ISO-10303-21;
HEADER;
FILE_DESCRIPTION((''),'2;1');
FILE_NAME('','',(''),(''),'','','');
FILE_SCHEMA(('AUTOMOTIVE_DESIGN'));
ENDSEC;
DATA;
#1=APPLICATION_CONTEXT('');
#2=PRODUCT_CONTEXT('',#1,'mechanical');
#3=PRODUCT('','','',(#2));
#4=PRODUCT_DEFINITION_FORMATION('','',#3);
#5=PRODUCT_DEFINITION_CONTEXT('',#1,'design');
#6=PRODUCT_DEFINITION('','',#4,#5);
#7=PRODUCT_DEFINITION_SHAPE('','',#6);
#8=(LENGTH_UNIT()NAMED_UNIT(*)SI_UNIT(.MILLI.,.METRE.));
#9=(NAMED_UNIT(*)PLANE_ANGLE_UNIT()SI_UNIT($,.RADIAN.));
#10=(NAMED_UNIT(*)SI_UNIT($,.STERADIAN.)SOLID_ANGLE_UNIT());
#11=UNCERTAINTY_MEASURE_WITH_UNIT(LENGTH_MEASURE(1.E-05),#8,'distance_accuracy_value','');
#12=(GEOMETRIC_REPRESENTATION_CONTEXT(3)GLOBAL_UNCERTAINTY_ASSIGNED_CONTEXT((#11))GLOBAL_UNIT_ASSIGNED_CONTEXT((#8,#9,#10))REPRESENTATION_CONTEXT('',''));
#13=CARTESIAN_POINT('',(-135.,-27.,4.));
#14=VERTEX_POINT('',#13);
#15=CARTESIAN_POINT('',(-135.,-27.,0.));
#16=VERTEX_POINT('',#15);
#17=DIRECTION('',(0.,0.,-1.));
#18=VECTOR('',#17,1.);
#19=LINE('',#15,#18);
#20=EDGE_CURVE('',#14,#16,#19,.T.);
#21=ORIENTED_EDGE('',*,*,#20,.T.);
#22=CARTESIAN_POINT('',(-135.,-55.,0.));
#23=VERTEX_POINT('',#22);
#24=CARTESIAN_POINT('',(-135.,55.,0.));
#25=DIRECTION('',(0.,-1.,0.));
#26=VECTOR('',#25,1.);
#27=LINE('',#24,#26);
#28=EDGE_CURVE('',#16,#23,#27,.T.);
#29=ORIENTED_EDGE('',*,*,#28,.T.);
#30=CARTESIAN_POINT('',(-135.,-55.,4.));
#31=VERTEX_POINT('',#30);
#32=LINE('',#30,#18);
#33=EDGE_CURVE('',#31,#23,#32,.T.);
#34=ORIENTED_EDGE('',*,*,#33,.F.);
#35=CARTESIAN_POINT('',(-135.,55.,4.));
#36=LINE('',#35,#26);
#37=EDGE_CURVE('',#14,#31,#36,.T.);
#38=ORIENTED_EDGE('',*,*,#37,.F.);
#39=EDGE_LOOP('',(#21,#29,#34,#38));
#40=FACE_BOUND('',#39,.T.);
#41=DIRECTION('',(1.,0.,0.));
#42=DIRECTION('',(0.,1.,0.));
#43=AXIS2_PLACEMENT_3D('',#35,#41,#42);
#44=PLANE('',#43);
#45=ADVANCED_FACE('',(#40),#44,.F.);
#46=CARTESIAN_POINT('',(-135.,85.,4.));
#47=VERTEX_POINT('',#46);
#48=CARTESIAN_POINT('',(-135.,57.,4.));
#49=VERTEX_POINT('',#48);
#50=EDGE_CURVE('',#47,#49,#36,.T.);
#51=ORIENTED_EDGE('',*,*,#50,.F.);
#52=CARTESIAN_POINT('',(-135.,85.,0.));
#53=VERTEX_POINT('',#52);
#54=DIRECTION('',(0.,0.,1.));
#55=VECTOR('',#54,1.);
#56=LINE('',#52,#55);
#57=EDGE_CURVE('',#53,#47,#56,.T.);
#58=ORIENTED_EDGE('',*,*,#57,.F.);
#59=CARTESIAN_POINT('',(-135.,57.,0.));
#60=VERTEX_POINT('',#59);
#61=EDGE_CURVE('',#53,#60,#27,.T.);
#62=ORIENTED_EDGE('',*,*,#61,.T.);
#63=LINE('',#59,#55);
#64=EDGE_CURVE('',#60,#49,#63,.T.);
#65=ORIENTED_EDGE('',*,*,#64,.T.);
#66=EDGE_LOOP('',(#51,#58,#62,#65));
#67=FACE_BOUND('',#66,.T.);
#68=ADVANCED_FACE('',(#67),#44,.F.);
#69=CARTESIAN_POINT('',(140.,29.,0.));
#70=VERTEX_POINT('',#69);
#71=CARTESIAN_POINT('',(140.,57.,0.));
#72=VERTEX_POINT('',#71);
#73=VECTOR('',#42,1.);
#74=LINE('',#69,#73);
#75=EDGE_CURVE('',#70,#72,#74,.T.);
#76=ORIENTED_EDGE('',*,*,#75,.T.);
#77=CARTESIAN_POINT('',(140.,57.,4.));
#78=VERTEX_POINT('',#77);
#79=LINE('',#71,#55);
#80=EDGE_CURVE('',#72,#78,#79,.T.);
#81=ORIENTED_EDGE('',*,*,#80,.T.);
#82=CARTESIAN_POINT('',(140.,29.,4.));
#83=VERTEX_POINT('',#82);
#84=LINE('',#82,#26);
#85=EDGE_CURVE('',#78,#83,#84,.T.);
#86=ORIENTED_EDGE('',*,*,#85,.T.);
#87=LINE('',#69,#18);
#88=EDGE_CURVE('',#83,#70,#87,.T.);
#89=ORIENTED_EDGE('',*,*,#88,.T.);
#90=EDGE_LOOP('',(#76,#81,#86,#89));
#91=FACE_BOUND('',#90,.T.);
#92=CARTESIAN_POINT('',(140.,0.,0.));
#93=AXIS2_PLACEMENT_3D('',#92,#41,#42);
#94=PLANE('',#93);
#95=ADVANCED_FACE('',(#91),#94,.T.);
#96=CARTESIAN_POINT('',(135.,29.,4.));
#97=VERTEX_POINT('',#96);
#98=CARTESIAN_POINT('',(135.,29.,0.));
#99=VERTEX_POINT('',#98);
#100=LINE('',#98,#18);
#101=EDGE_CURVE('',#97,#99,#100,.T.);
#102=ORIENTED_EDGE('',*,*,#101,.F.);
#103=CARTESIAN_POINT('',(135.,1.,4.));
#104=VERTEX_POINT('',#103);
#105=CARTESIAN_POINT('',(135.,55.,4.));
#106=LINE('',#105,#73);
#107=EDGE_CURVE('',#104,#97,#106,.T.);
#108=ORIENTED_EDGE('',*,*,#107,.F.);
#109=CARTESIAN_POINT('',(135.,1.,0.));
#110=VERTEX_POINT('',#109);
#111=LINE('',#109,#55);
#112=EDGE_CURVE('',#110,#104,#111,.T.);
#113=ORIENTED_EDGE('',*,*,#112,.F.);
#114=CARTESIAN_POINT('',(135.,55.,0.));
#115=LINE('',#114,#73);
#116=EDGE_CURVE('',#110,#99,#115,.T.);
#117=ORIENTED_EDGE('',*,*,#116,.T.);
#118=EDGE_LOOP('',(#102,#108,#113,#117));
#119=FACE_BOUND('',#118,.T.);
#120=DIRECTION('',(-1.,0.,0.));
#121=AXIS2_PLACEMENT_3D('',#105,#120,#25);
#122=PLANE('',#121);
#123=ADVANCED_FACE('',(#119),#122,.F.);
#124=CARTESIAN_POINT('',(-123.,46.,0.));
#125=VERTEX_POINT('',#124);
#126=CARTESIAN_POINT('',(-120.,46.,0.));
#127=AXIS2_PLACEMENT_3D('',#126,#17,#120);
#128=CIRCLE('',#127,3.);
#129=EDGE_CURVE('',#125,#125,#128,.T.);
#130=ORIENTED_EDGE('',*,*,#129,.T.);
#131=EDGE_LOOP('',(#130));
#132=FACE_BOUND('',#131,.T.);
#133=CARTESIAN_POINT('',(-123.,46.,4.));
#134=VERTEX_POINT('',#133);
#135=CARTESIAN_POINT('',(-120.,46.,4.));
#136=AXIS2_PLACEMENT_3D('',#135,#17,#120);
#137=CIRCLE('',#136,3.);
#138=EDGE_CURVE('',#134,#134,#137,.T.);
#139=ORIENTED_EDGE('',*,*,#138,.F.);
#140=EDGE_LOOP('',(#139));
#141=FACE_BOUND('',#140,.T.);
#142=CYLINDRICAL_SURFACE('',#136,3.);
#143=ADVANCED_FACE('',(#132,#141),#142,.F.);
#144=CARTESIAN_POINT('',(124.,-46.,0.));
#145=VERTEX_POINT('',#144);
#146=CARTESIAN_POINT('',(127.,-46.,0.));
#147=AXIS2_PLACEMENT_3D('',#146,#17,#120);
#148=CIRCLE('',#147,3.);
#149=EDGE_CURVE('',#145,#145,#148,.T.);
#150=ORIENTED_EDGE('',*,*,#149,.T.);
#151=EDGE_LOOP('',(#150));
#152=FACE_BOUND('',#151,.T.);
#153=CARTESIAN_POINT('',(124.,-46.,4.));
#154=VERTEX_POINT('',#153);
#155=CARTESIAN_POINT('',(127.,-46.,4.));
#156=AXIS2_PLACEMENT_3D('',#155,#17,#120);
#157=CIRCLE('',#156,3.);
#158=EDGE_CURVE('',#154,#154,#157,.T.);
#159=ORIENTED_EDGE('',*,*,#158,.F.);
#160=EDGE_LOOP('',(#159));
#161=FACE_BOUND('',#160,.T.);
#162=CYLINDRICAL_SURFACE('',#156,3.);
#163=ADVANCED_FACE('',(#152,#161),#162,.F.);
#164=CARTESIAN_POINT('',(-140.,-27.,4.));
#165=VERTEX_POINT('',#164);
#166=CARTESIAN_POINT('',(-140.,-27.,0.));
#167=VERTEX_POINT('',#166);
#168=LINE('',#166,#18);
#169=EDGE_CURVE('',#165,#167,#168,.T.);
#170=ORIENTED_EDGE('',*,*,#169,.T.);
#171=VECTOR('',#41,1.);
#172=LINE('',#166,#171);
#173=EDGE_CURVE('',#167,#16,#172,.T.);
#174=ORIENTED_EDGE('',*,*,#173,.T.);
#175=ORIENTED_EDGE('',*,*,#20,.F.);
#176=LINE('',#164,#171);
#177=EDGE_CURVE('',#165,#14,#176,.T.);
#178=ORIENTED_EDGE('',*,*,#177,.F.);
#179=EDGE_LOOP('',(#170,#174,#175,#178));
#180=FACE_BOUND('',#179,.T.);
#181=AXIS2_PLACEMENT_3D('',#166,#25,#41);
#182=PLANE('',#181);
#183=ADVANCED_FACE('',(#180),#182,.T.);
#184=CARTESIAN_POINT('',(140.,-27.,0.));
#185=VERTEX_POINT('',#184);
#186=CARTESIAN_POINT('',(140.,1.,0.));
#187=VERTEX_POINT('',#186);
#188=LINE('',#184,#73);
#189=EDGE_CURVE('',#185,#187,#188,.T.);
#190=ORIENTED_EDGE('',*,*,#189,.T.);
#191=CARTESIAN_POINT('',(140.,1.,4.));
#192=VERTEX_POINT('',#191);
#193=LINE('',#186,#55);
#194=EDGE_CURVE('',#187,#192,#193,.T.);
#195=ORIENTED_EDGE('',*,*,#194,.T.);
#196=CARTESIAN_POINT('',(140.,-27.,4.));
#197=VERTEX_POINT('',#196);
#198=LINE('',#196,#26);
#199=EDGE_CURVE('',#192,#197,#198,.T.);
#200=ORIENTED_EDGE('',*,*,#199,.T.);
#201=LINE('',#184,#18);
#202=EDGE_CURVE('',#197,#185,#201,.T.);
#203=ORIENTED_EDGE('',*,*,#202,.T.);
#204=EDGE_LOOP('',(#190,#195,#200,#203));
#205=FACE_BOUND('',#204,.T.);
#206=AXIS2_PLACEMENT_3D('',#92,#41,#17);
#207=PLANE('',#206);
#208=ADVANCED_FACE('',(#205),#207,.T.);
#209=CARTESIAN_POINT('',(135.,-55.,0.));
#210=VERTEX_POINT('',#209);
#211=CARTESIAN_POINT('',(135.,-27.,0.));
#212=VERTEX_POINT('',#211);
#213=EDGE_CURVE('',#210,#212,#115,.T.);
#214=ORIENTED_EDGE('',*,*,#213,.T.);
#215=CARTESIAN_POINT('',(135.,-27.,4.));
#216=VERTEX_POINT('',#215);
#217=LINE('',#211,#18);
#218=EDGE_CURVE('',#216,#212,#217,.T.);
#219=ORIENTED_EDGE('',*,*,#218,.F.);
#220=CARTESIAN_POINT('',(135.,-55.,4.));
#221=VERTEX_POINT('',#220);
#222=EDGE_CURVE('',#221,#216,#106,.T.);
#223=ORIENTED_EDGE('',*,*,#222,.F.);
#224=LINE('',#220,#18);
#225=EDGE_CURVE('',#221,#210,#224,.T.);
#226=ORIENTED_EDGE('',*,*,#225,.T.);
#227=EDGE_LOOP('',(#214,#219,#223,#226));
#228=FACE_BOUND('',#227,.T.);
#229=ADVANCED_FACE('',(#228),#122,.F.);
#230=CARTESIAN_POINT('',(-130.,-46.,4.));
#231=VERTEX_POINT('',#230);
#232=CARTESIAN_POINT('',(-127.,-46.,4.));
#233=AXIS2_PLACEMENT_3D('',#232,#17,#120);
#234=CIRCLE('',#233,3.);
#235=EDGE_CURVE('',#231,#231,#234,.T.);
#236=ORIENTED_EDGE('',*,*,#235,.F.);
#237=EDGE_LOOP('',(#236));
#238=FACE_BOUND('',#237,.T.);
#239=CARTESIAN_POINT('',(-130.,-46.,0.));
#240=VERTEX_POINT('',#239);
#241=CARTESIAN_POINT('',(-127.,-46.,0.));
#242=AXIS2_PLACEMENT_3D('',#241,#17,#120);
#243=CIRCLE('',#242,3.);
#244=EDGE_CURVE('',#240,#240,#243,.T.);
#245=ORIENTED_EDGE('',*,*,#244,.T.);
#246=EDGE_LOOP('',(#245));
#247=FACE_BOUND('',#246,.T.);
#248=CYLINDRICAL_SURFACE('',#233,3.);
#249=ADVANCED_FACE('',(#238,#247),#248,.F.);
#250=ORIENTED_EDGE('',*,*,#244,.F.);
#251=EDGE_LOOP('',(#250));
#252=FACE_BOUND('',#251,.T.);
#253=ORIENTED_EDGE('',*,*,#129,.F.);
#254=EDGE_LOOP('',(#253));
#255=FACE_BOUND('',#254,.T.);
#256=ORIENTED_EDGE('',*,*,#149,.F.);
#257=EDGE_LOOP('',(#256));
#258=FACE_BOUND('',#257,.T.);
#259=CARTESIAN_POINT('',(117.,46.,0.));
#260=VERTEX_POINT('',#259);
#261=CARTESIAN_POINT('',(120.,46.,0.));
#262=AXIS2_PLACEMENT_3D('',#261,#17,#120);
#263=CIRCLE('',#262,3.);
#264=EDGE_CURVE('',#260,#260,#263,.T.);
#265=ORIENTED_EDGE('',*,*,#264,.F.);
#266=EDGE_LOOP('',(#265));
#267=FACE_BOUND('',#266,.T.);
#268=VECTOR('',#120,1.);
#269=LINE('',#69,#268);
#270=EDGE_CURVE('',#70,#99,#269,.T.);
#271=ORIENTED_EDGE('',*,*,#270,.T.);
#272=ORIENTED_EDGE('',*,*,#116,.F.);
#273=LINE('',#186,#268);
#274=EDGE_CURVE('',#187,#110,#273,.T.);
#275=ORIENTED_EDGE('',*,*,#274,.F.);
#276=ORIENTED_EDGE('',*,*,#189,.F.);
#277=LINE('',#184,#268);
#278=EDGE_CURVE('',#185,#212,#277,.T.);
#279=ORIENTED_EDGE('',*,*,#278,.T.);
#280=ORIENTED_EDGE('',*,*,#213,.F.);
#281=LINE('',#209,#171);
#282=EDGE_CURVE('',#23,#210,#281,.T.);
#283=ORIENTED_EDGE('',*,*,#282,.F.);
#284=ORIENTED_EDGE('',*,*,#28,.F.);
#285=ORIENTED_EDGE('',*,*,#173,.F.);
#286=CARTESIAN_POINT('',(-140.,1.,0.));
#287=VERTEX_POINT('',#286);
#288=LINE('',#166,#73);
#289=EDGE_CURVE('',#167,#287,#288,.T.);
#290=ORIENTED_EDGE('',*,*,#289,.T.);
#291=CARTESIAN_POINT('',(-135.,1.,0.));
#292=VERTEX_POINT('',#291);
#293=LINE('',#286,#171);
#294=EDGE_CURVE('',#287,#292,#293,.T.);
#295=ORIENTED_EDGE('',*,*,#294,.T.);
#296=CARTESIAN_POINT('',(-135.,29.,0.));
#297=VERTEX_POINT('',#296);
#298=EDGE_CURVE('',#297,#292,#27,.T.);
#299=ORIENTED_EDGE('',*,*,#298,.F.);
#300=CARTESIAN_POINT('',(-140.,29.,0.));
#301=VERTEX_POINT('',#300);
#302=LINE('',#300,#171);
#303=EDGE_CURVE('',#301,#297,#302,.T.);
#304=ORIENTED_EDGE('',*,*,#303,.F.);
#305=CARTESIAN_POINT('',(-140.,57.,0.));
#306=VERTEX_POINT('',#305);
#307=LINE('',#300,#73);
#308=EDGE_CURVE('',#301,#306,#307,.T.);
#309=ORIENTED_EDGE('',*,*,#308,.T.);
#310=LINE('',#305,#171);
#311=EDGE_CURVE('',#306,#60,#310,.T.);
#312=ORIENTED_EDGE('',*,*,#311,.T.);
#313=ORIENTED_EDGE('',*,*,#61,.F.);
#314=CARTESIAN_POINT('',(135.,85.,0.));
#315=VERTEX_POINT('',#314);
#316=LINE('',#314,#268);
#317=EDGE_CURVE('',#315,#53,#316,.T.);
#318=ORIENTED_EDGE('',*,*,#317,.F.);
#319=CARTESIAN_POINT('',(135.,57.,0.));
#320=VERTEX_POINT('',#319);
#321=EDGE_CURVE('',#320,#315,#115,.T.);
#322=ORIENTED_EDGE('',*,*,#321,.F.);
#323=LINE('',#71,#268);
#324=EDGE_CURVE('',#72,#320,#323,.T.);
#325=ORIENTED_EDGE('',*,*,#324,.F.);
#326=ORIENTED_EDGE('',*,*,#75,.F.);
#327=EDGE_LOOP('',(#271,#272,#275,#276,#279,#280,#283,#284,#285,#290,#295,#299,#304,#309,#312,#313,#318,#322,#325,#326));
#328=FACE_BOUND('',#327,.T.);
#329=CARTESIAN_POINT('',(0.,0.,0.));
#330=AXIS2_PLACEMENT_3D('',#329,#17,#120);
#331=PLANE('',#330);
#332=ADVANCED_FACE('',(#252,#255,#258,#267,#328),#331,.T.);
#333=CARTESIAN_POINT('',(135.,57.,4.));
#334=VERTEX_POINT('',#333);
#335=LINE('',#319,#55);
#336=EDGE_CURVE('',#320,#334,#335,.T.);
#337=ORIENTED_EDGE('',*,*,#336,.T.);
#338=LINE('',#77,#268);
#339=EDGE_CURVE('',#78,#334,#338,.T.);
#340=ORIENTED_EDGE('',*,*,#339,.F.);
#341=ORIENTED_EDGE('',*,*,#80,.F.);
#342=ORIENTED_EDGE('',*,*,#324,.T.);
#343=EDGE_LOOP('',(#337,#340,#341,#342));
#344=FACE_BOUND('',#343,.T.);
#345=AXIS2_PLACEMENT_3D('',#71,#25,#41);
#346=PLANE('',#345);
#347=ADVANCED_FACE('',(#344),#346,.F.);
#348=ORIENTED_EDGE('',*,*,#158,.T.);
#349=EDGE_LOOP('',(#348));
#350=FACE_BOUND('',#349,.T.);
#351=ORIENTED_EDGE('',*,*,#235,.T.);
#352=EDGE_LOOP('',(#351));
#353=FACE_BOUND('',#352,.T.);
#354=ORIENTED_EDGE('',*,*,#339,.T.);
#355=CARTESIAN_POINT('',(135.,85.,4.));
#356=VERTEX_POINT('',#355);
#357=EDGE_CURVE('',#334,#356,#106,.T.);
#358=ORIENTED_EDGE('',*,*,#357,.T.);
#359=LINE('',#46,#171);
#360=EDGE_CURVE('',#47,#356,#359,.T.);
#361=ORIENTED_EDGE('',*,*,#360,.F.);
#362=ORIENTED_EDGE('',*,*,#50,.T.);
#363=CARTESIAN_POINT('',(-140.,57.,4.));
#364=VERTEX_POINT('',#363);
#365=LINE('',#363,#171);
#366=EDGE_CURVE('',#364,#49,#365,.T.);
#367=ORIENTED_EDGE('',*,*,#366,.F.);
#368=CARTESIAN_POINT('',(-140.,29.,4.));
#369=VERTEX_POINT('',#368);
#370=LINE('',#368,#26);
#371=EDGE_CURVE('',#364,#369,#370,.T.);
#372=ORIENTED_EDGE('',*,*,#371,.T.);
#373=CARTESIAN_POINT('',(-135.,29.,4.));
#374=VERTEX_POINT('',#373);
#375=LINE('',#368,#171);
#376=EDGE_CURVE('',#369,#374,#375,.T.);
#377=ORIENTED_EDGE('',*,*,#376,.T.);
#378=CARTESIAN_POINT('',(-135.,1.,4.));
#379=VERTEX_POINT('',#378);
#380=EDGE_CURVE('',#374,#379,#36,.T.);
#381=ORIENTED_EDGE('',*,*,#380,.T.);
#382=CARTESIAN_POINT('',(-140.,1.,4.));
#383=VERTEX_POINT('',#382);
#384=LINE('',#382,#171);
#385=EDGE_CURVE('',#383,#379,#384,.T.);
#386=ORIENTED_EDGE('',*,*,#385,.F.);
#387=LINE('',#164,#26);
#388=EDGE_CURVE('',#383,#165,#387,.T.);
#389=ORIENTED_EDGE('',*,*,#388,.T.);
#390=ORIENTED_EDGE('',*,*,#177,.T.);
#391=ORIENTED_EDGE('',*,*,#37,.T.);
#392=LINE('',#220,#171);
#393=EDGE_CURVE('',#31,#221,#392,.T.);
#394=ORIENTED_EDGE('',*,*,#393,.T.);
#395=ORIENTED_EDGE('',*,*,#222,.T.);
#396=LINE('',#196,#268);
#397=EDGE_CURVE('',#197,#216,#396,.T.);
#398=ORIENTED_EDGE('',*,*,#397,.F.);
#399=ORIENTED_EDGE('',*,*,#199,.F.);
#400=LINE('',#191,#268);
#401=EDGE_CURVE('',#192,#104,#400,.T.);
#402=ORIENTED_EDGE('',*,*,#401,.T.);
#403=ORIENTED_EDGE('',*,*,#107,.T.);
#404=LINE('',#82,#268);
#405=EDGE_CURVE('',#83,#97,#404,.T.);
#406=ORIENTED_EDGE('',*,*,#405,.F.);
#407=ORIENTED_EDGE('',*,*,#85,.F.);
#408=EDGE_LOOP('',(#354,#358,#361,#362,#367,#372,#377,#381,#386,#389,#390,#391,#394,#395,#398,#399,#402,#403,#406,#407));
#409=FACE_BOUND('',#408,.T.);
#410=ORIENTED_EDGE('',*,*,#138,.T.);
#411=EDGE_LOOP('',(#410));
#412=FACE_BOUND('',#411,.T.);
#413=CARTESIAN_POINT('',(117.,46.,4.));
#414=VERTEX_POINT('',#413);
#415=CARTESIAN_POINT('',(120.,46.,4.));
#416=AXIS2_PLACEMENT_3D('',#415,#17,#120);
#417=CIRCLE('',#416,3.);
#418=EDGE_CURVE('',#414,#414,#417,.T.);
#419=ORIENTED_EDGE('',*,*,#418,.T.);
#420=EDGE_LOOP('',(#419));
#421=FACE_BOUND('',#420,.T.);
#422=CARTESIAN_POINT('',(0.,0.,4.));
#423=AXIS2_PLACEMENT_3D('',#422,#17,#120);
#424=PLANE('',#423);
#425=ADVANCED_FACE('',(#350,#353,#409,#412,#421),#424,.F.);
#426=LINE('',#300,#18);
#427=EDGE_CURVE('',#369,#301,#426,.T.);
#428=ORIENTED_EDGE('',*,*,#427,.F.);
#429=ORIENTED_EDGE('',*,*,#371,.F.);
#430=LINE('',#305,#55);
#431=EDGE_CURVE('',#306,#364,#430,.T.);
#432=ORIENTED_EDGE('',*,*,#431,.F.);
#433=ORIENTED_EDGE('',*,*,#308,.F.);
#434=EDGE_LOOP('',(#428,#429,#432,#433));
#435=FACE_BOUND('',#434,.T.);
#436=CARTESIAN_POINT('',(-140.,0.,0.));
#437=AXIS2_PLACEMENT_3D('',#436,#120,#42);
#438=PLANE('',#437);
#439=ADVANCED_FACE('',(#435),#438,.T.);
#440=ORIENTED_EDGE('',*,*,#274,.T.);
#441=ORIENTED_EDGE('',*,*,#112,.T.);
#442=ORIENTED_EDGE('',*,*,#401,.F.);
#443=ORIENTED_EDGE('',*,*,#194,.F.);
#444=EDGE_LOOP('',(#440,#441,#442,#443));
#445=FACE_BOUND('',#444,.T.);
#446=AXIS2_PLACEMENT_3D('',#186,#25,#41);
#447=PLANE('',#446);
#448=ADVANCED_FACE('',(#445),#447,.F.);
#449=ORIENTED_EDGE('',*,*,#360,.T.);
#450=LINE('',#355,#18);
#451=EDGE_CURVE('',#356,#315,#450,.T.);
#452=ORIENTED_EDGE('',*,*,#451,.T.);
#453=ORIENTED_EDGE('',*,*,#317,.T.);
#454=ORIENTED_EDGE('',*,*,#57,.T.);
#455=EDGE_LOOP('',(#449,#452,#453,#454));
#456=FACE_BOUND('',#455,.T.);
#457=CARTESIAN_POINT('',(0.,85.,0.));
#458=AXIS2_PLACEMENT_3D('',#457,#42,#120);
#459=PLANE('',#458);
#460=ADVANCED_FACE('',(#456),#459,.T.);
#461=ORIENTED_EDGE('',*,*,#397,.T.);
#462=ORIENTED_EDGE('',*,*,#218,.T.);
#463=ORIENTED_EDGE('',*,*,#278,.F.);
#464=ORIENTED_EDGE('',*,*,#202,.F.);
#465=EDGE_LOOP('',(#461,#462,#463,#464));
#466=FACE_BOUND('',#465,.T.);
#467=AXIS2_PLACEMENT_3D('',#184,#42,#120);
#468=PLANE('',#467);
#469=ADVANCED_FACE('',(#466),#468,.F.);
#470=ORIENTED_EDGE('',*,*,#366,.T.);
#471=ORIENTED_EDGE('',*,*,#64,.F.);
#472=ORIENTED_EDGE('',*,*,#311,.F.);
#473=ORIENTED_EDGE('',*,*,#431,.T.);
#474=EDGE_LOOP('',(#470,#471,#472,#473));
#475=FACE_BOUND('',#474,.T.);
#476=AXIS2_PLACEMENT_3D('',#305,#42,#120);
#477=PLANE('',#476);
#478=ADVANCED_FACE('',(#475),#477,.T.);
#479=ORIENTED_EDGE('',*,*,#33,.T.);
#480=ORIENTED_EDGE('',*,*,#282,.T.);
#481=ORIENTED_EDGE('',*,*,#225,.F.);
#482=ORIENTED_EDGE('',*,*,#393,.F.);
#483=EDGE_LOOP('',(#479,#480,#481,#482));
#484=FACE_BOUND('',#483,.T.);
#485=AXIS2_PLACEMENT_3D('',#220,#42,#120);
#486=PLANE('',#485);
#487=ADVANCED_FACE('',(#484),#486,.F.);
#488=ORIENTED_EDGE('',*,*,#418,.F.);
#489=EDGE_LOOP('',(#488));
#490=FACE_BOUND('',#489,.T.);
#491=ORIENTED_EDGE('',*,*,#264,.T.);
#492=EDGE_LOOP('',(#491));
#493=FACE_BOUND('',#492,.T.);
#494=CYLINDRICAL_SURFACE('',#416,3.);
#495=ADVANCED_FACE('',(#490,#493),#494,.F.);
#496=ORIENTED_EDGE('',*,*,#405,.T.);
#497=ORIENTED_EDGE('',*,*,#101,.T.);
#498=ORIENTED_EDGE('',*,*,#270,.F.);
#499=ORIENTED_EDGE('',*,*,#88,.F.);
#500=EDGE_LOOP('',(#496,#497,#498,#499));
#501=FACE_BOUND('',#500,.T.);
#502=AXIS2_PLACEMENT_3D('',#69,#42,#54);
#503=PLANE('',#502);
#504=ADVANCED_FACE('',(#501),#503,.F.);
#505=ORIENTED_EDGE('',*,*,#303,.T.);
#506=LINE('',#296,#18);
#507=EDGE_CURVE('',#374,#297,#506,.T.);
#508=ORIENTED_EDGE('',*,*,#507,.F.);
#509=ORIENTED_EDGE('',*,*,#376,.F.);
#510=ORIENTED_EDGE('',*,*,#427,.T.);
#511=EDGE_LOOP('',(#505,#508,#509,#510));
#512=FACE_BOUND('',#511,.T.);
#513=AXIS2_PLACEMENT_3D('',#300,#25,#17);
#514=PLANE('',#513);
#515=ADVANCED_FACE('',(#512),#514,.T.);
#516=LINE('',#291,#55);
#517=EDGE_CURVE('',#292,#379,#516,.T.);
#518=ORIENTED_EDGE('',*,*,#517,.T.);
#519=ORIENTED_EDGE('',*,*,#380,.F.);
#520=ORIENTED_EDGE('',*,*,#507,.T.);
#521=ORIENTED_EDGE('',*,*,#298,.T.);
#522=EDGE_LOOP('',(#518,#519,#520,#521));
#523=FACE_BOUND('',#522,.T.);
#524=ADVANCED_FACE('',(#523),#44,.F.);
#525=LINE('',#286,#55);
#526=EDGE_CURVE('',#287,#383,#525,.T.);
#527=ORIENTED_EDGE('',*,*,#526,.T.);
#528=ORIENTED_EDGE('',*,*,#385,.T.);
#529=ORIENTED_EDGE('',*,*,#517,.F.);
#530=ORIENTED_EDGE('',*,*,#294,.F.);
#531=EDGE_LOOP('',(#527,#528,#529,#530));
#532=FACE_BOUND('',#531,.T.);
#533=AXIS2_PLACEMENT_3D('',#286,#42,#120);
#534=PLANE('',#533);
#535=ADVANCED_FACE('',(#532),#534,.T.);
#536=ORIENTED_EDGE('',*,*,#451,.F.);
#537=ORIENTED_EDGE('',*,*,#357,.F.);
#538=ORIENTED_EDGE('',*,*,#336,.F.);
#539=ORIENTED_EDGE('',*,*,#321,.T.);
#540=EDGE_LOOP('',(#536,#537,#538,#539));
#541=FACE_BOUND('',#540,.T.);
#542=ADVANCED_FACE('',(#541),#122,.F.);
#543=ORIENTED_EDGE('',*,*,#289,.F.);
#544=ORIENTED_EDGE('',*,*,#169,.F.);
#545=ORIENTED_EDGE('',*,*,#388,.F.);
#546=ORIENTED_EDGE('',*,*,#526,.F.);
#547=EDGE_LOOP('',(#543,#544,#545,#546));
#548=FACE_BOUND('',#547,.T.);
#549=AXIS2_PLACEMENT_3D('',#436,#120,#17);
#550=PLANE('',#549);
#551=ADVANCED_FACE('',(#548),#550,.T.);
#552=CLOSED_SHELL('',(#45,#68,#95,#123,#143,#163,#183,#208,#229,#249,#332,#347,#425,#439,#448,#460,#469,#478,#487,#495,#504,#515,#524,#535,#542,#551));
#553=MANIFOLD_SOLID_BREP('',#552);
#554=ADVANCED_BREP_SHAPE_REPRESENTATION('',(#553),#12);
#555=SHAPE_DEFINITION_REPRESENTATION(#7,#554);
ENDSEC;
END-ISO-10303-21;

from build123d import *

# Parameters (mm, degrees)
SKETCH1_W           = 270
SKETCH1_H           = 110
BOSS_EXTRUDE1_DEPTH = 4
SKETCH9_R           = 3
CUT_EXTRUDE1_DEPTH  = 146.828666592
SKETCH10_W          = 270
SKETCH10_H          = 4
BOSS_EXTRUDE2_DEPTH = 30
ESQUISSE1_W         = 4
ESQUISSE1_H         = 28
BOSS_EXTRU_1_DEPTH  = 5


with BuildPart() as part:
    # Sketch1 → Boss-Extrude1 (new body)
    with BuildSketch(Plane.XY):
        Rectangle(SKETCH1_W, SKETCH1_H)
    extrude(amount=BOSS_EXTRUDE1_DEPTH)

    # Sketch9 → Cut-Extrude1 (cut, through all)
    with BuildSketch(Plane(origin=(0, 0, 0), x_dir=(-1, 0, 0), z_dir=(0, 0, -1))):
        with Locations((-120, 46)):
            Circle(SKETCH9_R)
        with Locations((-127, -46)):
            Circle(SKETCH9_R)
        with Locations((120, 46)):
            Circle(SKETCH9_R)
        with Locations((127, -46)):
            Circle(SKETCH9_R)
    extrude(amount=-CUT_EXTRUDE1_DEPTH, mode=Mode.SUBTRACT)

    # Sketch10 → Boss-Extrude2 (add)
    with BuildSketch(Plane(origin=(0, 55, 0), x_dir=(1, 0, 0), z_dir=(0, 1, 0))):
        with Locations((0, -2)):
            Rectangle(SKETCH10_W, SKETCH10_H)
    extrude(amount=BOSS_EXTRUDE2_DEPTH)

    # Esquisse1 → Boss.-Extru.1 (add)
    with BuildSketch(Plane(origin=(135, 0, 0), x_dir=(0, 0, -1), z_dir=(1, 0, 0))):
        with Locations((-2, -13)):
            Rectangle(ESQUISSE1_W, ESQUISSE1_H)
        with Locations((-2, 43)):
            Rectangle(ESQUISSE1_W, ESQUISSE1_H)
    boss_extru_1 = extrude(amount=BOSS_EXTRU_1_DEPTH)

    # Symétrie1: Boss.-Extru.1 across plane
    add(boss_extru_1.mirror(Plane(origin=(0, 0, 0), x_dir=(0, 0, 1), z_dir=(1, 0, 0))))


solid = part.part
